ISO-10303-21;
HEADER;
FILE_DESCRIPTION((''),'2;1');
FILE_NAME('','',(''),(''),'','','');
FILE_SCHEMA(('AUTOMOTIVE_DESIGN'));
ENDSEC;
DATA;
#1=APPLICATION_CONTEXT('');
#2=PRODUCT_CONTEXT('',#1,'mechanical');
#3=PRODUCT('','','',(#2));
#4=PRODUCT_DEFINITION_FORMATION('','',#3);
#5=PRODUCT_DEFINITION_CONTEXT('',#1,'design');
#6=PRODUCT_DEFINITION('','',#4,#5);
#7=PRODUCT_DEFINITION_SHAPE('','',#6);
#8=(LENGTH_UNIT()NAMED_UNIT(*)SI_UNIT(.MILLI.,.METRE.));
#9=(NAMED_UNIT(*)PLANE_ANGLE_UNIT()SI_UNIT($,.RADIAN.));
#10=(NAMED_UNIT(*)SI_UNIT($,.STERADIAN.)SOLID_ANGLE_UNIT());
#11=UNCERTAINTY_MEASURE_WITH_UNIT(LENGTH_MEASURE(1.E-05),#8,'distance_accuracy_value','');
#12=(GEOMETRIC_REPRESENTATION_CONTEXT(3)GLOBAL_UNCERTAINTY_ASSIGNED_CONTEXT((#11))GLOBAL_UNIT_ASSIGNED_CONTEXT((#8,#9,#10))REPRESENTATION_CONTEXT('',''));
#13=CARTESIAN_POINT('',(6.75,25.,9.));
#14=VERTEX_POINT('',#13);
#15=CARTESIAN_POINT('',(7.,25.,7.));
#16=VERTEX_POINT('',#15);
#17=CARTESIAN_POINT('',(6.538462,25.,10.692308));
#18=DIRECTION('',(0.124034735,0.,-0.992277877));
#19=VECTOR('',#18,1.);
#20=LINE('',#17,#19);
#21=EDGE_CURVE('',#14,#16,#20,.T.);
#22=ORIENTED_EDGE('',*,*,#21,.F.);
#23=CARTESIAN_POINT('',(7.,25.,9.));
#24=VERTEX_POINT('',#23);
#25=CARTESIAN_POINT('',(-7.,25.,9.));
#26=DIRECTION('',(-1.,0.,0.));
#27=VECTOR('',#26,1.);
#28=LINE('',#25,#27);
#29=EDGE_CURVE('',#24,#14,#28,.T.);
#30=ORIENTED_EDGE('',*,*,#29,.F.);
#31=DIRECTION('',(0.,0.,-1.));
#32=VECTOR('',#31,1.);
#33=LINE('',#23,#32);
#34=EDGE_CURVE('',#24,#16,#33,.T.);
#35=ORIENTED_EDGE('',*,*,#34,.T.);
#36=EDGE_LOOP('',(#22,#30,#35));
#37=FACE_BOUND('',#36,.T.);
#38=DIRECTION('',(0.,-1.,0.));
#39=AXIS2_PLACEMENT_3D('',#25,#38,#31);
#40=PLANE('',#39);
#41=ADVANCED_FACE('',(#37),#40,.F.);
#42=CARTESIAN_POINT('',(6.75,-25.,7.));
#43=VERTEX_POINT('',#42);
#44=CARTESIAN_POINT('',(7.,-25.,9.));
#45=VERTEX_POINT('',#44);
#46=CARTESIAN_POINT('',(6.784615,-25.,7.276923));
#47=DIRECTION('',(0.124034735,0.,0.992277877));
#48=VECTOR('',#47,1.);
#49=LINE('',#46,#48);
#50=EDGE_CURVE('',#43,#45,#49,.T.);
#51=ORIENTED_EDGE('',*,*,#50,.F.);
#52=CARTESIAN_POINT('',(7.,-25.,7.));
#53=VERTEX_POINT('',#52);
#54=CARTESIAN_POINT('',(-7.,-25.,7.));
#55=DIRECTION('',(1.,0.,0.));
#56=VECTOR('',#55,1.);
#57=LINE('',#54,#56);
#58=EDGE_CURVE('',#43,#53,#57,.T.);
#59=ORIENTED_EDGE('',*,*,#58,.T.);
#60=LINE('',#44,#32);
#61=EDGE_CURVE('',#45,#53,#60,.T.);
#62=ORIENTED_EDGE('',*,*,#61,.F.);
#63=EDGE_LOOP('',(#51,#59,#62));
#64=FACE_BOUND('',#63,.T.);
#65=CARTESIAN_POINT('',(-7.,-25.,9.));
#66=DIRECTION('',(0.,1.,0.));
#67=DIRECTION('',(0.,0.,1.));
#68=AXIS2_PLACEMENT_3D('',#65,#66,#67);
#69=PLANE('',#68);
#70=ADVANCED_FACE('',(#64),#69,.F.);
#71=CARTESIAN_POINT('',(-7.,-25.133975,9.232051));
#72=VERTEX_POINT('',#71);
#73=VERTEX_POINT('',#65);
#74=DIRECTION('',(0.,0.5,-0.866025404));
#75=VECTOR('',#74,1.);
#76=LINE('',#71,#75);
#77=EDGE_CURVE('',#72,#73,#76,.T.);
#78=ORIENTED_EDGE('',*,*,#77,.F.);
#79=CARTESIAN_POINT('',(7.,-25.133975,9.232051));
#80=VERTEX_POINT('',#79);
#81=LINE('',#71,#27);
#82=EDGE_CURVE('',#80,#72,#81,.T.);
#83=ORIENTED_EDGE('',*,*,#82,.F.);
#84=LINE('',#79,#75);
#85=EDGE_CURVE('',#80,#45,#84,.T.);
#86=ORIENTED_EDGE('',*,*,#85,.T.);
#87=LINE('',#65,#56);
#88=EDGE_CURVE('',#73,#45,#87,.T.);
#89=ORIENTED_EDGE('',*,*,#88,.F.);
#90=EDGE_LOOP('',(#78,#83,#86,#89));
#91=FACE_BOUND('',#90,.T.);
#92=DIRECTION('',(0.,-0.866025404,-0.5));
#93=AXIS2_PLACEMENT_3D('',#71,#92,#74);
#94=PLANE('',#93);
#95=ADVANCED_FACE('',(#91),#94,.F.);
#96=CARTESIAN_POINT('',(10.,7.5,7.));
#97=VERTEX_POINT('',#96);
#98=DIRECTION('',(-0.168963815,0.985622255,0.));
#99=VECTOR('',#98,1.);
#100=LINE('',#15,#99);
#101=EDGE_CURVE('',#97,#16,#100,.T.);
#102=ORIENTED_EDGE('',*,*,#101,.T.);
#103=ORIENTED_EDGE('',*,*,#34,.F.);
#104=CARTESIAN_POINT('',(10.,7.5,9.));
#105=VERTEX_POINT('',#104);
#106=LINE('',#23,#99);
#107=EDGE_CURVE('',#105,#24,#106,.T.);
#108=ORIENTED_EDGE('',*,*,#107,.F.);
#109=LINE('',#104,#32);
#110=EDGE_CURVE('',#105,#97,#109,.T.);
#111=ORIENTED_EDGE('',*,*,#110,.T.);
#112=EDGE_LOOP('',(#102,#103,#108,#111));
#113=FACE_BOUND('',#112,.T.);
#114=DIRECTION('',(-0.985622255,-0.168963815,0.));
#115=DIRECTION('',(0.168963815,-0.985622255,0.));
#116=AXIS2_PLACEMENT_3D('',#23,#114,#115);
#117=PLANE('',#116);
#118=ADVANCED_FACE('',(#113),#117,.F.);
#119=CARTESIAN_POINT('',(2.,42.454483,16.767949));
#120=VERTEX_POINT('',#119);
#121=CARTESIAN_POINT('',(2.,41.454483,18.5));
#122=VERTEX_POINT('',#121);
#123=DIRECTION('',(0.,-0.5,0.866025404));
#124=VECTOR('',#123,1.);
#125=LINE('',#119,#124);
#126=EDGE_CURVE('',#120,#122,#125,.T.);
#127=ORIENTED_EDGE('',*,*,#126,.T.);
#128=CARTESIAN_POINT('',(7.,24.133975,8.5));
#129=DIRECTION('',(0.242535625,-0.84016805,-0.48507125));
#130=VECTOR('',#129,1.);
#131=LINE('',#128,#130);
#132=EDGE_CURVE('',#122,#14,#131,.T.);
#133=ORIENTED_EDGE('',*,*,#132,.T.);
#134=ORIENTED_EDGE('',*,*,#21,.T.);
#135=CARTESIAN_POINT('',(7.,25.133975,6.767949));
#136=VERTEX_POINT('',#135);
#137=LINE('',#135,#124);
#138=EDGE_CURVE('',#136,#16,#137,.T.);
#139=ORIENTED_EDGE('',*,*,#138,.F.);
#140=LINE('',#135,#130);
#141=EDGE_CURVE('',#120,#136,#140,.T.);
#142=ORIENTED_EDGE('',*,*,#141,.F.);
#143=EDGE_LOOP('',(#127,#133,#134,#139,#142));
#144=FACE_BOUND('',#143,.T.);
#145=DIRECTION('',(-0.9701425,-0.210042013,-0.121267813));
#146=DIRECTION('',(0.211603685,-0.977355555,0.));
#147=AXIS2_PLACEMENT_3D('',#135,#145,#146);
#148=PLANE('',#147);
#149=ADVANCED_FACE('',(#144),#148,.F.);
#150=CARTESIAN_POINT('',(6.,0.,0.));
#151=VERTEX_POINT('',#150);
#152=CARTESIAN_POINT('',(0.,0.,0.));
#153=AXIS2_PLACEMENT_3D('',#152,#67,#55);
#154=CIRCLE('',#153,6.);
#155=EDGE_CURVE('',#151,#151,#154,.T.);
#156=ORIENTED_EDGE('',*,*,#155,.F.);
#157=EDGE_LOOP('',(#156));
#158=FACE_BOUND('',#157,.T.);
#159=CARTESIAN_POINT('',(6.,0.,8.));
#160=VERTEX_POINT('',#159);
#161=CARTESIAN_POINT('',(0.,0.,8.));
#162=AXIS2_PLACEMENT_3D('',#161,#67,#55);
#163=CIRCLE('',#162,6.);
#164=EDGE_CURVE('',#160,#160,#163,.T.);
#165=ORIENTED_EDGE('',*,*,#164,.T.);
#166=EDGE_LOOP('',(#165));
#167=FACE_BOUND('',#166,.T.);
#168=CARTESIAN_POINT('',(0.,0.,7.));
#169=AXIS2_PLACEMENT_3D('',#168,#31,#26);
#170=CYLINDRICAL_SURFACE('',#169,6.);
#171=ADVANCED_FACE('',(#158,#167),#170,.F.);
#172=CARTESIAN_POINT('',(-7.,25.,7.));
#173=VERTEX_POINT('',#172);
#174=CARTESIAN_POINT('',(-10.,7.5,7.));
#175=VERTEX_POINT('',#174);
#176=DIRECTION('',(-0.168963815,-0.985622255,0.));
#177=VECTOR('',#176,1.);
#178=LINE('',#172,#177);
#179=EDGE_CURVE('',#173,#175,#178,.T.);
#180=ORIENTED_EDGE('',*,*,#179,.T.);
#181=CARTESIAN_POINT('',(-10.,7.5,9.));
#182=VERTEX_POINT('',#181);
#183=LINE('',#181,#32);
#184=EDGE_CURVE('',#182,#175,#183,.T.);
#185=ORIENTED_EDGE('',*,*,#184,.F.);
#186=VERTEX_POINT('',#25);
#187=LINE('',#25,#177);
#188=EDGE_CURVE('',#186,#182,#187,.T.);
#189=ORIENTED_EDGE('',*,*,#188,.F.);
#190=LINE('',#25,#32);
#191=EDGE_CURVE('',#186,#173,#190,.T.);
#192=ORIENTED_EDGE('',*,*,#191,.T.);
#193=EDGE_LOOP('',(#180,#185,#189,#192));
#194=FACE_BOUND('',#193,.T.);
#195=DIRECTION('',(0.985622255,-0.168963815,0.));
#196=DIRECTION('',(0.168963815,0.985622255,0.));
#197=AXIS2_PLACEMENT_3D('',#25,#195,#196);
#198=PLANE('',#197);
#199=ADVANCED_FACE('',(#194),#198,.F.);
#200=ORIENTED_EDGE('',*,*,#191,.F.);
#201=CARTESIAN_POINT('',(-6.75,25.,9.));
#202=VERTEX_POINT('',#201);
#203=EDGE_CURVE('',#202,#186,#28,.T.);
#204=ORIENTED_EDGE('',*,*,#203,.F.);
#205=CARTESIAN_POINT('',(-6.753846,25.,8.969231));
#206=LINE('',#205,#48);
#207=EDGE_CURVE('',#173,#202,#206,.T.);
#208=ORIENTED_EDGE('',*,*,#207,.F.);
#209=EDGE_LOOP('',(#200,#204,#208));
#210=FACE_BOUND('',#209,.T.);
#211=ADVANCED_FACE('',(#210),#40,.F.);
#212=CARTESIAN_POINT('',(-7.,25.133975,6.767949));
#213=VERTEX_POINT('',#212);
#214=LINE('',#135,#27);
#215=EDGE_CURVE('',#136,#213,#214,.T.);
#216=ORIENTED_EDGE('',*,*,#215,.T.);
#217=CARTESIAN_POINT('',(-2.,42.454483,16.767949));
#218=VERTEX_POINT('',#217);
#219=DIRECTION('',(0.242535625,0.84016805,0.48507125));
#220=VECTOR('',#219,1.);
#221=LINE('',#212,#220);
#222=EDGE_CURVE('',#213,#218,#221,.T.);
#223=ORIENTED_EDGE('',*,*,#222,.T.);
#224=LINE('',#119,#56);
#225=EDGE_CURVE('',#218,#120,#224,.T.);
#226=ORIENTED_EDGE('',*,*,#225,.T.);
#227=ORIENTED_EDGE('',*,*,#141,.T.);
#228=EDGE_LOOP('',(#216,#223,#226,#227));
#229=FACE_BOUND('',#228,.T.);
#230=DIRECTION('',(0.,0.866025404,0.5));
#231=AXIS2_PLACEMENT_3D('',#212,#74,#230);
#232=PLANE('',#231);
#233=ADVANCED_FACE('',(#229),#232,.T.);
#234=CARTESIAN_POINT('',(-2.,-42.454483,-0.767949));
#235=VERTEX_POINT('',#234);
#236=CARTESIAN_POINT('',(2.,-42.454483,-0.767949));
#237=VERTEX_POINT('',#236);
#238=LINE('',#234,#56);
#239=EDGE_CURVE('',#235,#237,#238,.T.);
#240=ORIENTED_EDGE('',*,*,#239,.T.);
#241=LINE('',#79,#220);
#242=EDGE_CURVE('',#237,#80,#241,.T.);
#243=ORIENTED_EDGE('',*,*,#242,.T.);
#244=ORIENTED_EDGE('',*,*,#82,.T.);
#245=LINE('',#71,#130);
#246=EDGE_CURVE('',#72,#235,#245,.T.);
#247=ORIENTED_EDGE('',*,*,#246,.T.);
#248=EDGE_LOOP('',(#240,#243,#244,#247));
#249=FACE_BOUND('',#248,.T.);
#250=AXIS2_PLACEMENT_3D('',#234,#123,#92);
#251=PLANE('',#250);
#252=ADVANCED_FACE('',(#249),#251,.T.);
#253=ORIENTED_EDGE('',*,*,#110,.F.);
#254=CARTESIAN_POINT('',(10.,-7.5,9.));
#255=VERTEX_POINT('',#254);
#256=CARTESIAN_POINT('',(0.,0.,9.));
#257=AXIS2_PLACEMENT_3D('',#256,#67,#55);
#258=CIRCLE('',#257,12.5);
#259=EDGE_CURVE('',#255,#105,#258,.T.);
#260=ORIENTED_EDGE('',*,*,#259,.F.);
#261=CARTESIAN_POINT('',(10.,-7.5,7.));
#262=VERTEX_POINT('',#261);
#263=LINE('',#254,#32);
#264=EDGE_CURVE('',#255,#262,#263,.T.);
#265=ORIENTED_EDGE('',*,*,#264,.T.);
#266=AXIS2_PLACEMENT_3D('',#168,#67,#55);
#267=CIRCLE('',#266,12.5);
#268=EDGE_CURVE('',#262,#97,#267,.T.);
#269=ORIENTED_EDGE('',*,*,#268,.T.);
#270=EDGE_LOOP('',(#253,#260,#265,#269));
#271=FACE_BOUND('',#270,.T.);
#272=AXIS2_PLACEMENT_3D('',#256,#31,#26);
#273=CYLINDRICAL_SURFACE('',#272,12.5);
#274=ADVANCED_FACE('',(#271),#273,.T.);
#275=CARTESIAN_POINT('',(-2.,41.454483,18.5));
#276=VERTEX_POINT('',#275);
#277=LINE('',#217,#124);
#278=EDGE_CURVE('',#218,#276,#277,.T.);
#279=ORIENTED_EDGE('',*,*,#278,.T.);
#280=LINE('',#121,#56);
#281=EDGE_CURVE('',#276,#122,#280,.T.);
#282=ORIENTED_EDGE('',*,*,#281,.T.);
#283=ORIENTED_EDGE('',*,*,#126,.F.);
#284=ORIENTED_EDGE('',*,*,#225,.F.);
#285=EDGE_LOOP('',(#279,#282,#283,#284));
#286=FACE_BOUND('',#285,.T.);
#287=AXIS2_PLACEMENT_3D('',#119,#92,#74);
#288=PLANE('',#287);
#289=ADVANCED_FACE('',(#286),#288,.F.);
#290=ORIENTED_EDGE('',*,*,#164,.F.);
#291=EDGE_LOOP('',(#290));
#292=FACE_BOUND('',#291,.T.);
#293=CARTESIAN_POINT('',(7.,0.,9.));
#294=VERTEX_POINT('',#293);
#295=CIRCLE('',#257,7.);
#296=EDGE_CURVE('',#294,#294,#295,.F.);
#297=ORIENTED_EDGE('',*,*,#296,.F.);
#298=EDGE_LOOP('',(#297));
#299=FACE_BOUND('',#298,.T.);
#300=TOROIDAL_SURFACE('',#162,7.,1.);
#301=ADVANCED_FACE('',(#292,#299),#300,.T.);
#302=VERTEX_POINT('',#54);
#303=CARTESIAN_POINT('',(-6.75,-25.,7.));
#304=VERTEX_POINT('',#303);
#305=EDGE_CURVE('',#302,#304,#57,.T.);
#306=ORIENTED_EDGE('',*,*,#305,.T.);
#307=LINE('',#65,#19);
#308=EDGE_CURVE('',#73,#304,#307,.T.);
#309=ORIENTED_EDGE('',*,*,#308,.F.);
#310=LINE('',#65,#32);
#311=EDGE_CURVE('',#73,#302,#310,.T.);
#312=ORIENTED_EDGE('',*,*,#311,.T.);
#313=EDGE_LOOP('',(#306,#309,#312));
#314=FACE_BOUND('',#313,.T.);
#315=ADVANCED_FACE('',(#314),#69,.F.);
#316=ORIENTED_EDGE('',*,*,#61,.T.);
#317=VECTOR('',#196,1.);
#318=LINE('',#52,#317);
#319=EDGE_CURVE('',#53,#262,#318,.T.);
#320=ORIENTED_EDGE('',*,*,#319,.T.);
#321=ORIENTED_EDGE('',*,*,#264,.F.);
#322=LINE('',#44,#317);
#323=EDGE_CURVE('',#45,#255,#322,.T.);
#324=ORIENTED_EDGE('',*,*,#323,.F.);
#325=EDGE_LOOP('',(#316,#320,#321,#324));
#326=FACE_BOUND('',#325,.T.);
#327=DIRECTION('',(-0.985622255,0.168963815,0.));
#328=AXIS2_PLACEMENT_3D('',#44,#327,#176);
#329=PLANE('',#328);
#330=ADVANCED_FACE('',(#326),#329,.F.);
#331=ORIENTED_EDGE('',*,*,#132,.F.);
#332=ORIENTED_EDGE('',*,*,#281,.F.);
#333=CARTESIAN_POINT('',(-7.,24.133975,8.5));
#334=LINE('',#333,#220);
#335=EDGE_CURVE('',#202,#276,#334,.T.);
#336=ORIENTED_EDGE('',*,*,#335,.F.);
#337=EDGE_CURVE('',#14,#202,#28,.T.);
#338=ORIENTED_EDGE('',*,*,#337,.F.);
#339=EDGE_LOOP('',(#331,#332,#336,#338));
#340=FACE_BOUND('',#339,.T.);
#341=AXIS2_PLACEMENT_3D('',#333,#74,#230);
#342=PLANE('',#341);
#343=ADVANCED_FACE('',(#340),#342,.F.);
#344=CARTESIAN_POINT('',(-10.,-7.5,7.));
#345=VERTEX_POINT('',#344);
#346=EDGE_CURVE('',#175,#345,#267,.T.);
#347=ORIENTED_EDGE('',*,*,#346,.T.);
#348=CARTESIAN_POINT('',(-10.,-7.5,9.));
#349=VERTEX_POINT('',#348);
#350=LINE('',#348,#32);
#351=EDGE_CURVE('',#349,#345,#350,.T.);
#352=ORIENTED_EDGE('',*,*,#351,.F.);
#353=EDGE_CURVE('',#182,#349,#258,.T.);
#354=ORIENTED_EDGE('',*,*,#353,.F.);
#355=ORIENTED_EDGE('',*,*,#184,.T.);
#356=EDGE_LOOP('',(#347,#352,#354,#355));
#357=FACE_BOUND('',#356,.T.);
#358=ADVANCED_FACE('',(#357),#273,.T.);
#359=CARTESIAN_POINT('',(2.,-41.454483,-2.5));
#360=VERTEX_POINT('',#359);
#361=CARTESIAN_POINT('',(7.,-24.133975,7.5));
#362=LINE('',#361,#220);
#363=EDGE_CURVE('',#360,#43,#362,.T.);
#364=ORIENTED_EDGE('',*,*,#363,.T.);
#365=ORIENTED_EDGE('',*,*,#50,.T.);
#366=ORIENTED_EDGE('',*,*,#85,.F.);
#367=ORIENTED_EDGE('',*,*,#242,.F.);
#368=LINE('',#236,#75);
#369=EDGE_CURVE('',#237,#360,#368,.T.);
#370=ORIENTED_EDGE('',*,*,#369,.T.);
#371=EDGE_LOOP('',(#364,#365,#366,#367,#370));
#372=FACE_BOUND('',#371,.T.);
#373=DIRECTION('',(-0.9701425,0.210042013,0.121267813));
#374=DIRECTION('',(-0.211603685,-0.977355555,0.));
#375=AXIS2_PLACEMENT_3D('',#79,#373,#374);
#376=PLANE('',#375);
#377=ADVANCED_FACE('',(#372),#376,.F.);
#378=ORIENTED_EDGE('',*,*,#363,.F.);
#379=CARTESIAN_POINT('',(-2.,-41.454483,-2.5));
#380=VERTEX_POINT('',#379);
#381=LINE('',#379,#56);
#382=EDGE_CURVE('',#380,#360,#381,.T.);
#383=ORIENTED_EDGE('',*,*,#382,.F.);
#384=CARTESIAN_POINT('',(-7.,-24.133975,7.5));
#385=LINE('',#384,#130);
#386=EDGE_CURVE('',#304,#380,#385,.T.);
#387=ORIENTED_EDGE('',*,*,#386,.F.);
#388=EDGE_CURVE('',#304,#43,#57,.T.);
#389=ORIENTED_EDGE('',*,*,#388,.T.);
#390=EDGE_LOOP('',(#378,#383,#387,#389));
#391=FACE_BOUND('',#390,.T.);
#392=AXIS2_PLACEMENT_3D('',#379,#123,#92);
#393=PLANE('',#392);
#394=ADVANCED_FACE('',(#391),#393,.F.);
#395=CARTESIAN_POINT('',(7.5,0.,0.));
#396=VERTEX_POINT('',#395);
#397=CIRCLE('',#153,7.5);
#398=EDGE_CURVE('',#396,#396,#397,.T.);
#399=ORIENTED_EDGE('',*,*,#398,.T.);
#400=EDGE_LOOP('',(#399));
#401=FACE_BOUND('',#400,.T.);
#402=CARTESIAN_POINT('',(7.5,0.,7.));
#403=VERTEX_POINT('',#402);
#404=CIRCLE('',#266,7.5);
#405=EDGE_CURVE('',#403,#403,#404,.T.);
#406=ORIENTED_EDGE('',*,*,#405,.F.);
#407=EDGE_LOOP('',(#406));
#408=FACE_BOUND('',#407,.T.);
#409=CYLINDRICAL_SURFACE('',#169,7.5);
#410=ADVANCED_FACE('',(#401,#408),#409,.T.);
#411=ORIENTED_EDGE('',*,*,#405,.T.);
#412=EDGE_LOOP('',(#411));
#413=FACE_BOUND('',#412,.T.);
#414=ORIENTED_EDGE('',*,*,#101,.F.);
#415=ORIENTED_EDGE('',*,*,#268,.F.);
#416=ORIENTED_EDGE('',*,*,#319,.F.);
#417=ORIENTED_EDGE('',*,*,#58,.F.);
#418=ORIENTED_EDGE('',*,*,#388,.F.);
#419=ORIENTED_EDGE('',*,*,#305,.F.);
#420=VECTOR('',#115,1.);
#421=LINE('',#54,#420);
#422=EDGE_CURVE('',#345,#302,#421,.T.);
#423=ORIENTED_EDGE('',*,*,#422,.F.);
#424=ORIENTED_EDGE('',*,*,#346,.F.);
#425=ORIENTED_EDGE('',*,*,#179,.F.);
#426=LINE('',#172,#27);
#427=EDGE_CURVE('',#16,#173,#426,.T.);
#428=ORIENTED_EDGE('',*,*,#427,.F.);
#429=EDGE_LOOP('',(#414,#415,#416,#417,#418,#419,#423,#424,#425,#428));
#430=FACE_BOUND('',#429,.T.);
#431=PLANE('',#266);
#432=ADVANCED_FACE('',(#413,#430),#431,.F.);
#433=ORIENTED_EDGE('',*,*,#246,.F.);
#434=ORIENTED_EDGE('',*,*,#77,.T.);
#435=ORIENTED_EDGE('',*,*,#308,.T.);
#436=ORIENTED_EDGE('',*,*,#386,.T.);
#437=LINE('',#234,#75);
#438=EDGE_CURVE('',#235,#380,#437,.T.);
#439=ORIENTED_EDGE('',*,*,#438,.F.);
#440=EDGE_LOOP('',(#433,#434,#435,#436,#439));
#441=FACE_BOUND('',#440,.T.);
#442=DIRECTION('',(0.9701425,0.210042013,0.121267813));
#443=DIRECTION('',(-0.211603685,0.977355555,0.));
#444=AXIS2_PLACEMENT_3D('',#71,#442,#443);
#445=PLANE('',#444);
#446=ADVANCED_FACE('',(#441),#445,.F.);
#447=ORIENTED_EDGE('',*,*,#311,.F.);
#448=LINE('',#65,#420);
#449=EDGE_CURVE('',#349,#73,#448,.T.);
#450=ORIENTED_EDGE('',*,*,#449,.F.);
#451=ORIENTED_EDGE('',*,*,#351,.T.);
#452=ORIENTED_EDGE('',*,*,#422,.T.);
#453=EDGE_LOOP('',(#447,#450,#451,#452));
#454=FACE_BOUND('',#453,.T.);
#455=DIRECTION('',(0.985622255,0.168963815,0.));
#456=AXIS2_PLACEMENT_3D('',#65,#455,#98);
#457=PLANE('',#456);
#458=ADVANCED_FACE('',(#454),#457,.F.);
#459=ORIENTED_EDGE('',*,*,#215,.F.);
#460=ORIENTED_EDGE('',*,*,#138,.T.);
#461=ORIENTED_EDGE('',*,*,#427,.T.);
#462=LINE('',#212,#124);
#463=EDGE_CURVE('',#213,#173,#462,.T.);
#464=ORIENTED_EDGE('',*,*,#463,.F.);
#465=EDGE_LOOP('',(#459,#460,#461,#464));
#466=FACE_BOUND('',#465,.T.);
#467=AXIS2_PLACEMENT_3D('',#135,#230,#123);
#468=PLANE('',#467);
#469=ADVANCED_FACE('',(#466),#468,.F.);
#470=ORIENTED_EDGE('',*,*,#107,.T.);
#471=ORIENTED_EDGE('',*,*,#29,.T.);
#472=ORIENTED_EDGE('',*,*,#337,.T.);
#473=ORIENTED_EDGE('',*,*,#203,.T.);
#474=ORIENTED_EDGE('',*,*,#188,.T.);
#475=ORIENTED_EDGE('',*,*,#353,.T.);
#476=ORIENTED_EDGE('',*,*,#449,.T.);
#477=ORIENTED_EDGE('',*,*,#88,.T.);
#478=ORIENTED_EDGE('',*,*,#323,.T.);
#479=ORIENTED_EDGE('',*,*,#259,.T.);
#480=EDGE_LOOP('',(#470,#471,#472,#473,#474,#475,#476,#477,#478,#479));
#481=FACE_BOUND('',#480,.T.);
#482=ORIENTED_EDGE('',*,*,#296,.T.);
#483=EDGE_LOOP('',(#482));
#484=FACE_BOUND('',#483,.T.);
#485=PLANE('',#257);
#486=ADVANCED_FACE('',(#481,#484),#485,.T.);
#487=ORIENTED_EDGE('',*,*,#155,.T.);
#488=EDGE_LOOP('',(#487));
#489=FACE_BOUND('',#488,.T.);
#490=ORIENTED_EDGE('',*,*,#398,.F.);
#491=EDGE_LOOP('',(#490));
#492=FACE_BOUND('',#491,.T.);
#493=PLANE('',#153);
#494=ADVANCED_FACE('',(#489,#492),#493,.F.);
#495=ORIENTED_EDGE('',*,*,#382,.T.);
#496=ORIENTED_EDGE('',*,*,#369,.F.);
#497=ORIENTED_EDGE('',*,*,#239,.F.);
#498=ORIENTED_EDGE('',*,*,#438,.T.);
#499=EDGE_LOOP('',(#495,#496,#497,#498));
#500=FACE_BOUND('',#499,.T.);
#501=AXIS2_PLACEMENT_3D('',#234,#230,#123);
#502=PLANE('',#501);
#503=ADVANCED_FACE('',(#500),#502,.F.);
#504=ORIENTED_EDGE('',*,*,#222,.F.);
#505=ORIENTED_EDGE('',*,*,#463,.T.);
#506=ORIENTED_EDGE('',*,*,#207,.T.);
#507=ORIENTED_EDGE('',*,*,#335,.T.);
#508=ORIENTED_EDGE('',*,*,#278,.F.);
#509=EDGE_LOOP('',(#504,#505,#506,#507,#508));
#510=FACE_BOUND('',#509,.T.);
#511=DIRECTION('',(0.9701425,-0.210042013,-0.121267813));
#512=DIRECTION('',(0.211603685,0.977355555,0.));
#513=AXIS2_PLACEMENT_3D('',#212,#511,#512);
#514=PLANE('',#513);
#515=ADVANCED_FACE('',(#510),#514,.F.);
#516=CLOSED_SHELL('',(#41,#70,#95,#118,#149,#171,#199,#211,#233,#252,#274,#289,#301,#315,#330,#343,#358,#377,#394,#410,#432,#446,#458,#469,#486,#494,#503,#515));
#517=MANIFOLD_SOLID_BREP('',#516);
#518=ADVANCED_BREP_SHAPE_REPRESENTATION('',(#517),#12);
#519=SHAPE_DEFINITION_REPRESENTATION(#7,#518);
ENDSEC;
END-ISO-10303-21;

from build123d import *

# Parameters (mm, degrees)
ESQUISSE1_R          = 7.5
ESQUISSE1_R_2        = 6
BASE_EXTRUSION_DEPTH = 7
ESQUISSE2_R          = 6
BOSS_EXTRU_1_DEPTH   = 2
CONG_1_R             = 1
BOSS_EXTRU_2_DEPTH   = 2
BOSS_EXTRU_3_DEPTH   = 2


with BuildPart() as part:
    # Esquisse1 → Base-Extrusion (new body)
    with BuildSketch(Plane.XY):
        Circle(ESQUISSE1_R)
        Circle(ESQUISSE1_R_2, mode=Mode.SUBTRACT)
    extrude(amount=BASE_EXTRUSION_DEPTH)

    # Esquisse2 → Boss.-Extru.1 (add)
    with BuildSketch(Plane.XY.offset(7)):
        with BuildLine():
            Line((-7, 25), (7, 25))
            Line((7, 25), (10, 7.5))
            ThreePointArc((10, 7.5), (12.5, 0), (10, -7.5))
            Line((10, -7.5), (7, -25))
            Line((7, -25), (-7, -25))
            Line((-7, -25), (-10, -7.5))
            ThreePointArc((-10, -7.5), (-12.5, 0), (-10, 7.5))
            Line((-10, 7.5), (-7, 25))
        make_face()
        Circle(ESQUISSE2_R, mode=Mode.SUBTRACT)
    extrude(amount=BOSS_EXTRU_1_DEPTH)

    # Congé1
    cong_1_edges = [part.edges().sort_by_distance(p)[0] for p in [
        (-6, 0, 9),
    ]]
    fillet(cong_1_edges, radius=CONG_1_R)

    # Esquisse3 → Boss.-Extru.2 (add)
    with BuildSketch(Plane(origin=(0, 2.352885683, -4.075317547), x_dir=(-1, 0, 0), z_dir=(0, 0.499999999999998, -0.8660254037844398))):
        Polygon((-7, 25.150635095), (-2, 45.150635095), (2, 45.150635095), (7, 25.150635095), align=None)
    extrude(amount=BOSS_EXTRU_2_DEPTH)

    # Esquisse4 → Boss.-Extru.3 (add)
    with BuildSketch(Plane(origin=(0, -9.281088913, 16.075317547), x_dir=(1, 0, 0), z_dir=(0, -0.49999999999999806, 0.8660254037844398))):
        Polygon((-7, -17.150635095), (7, -17.150635095), (2, -37.150635095), (-2, -37.150635095), align=None)
    extrude(amount=BOSS_EXTRU_3_DEPTH)


solid = part.part
